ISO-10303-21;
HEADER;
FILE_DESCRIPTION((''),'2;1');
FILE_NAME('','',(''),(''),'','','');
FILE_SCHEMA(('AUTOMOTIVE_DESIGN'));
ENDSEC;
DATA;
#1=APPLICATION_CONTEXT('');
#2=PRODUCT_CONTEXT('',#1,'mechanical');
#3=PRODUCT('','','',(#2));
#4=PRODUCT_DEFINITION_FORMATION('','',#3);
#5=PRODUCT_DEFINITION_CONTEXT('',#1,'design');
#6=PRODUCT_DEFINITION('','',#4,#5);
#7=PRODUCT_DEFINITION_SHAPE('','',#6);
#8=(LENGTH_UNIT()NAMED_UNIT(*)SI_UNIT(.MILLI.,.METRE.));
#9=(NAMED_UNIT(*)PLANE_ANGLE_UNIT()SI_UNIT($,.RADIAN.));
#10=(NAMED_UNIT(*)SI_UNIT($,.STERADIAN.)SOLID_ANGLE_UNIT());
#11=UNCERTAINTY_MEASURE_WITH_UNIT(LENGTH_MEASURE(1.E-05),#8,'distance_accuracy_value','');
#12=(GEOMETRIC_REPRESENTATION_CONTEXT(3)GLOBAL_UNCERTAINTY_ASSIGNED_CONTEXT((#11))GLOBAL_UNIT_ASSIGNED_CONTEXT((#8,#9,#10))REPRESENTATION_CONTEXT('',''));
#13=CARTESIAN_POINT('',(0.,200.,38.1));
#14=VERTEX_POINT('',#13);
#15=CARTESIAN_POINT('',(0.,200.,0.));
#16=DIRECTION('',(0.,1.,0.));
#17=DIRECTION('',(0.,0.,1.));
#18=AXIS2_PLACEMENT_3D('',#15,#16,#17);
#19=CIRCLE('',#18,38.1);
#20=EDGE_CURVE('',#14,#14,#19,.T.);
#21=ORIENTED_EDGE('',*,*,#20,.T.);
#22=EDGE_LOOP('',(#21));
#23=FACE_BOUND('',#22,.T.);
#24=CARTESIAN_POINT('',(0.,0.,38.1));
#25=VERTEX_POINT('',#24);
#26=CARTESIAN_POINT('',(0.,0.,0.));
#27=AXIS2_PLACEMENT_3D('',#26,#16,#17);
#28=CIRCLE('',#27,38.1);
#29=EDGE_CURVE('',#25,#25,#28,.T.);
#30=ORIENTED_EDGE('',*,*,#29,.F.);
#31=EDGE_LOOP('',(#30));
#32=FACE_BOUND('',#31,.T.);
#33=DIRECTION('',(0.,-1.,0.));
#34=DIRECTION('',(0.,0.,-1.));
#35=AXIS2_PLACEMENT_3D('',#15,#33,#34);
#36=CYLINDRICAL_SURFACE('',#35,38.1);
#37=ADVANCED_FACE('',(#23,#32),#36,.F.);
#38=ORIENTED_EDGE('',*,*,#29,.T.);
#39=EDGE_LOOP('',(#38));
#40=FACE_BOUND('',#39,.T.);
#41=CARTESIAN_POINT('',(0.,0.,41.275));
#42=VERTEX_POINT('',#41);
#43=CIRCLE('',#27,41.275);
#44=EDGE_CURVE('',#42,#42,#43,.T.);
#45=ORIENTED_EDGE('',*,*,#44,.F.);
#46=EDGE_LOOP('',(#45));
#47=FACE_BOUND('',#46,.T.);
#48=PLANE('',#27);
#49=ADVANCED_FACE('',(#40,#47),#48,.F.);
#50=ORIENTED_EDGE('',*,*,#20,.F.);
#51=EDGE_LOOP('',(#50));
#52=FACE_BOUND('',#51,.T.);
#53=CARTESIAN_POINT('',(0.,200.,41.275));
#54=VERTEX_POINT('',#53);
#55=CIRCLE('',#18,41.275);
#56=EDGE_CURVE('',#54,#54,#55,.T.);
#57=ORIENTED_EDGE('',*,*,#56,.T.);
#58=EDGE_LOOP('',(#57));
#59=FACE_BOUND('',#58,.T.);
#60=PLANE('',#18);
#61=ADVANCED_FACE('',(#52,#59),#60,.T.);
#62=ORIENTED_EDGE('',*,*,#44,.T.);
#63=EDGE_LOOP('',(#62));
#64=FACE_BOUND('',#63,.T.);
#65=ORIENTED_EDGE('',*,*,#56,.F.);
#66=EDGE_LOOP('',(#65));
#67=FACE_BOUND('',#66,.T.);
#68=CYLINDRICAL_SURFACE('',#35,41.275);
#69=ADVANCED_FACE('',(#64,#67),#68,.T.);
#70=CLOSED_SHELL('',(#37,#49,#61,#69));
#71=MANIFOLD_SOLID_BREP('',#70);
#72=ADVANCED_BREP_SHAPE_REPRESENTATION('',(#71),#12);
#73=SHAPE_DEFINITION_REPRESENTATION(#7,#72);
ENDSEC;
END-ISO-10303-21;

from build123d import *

# Parameters (mm, degrees)
CROQUIS1_R              = 41.275
CROQUIS1_R_2            = 38.1
SALIENTE_EXTRUIR1_DEPTH = 200


with BuildPart() as part:
    # Croquis1 → Saliente-Extruir1 (new body)
    with BuildSketch(Plane(origin=(0, 0, 0), x_dir=(1, 0, 0), z_dir=(0, 1, 0))):
        with Locations(Location((0, 0, 0), (0, 0, 270))):
            Circle(CROQUIS1_R)
        with Locations(Location((0, 0, 0), (0, 0, 270))):
            Circle(CROQUIS1_R_2, mode=Mode.SUBTRACT)
    extrude(amount=SALIENTE_EXTRUIR1_DEPTH)


solid = part.part
